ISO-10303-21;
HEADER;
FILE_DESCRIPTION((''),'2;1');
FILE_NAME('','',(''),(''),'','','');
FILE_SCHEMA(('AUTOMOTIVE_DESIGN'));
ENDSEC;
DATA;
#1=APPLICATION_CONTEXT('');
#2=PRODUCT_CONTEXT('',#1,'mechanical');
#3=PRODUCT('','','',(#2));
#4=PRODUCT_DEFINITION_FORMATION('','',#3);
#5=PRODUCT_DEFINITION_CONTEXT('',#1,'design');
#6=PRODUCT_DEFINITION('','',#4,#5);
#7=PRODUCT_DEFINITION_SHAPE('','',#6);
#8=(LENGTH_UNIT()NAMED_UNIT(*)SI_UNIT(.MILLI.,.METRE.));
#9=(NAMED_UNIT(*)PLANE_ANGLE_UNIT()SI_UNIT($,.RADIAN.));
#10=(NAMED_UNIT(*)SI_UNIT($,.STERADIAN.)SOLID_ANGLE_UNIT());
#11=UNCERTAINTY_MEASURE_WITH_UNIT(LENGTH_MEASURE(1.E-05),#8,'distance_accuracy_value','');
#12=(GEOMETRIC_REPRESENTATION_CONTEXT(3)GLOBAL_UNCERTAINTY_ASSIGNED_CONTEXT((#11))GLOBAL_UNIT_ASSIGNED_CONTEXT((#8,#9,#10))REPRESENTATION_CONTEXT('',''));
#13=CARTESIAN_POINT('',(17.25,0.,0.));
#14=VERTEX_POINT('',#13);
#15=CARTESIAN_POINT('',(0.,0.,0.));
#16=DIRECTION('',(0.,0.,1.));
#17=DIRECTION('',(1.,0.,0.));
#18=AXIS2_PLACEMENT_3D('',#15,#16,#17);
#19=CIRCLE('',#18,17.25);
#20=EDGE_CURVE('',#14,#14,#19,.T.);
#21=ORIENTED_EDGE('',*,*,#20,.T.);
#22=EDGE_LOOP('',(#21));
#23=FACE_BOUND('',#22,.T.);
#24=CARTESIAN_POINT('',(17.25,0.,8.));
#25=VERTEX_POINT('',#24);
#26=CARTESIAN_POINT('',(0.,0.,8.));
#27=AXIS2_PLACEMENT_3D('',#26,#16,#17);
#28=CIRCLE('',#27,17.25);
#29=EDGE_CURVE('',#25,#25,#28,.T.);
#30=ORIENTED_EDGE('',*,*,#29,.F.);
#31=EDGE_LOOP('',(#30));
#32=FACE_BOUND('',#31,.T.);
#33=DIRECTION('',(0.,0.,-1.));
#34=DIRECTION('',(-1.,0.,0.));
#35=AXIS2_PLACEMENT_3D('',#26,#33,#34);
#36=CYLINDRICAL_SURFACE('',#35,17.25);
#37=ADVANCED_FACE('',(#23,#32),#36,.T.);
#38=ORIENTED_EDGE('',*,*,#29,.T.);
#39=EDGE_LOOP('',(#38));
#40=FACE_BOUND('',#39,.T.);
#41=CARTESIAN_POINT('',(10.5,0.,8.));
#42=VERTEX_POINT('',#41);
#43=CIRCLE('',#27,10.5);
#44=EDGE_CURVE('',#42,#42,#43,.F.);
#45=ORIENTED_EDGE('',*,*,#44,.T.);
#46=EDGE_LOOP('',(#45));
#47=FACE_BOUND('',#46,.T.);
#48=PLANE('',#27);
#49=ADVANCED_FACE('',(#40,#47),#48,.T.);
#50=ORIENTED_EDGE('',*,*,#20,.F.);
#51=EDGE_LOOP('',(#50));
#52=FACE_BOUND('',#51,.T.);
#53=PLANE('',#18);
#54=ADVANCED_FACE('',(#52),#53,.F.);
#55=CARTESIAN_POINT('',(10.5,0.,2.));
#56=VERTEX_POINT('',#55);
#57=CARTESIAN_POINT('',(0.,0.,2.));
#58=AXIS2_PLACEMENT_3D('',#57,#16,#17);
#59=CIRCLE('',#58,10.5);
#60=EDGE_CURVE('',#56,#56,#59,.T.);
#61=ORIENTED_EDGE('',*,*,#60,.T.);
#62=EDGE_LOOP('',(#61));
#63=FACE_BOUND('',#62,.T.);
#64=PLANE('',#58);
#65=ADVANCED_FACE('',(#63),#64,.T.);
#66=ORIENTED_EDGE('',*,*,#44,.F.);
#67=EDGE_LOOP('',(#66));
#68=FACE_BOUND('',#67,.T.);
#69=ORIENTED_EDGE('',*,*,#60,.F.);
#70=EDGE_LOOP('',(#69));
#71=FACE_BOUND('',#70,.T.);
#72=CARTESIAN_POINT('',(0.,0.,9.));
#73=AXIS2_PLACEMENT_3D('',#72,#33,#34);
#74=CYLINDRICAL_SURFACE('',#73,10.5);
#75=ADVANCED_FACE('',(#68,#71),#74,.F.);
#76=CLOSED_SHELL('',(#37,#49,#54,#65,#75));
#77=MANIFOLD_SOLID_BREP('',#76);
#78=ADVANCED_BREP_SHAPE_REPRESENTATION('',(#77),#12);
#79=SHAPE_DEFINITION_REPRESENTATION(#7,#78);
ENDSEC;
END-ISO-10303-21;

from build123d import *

# Parameters (mm, degrees)
SKETCH1_R               = 17.25
BOSS_EXTRUDE1_DEPTH     = 8
CUT_EXTRUDE1_DEPTH      = 1
CUT_EXTRUDE1_DEPTH_BACK = 6
SKETCH2_R               = 10.5


with BuildPart() as part:
    # Sketch1 → Boss-Extrude1 (new body)
    with BuildSketch(Plane.XY):
        Circle(SKETCH1_R)
    extrude(amount=BOSS_EXTRUDE1_DEPTH)

    # Sketch2 → Cut-Extrude1 (cut, two sides: drawn at the far end of the back side and taken through both)
    with BuildSketch(Plane.XY.offset(8).offset(-CUT_EXTRUDE1_DEPTH_BACK)):
        Circle(SKETCH2_R)
    extrude(amount=CUT_EXTRUDE1_DEPTH + CUT_EXTRUDE1_DEPTH_BACK, mode=Mode.SUBTRACT)


solid = part.part
